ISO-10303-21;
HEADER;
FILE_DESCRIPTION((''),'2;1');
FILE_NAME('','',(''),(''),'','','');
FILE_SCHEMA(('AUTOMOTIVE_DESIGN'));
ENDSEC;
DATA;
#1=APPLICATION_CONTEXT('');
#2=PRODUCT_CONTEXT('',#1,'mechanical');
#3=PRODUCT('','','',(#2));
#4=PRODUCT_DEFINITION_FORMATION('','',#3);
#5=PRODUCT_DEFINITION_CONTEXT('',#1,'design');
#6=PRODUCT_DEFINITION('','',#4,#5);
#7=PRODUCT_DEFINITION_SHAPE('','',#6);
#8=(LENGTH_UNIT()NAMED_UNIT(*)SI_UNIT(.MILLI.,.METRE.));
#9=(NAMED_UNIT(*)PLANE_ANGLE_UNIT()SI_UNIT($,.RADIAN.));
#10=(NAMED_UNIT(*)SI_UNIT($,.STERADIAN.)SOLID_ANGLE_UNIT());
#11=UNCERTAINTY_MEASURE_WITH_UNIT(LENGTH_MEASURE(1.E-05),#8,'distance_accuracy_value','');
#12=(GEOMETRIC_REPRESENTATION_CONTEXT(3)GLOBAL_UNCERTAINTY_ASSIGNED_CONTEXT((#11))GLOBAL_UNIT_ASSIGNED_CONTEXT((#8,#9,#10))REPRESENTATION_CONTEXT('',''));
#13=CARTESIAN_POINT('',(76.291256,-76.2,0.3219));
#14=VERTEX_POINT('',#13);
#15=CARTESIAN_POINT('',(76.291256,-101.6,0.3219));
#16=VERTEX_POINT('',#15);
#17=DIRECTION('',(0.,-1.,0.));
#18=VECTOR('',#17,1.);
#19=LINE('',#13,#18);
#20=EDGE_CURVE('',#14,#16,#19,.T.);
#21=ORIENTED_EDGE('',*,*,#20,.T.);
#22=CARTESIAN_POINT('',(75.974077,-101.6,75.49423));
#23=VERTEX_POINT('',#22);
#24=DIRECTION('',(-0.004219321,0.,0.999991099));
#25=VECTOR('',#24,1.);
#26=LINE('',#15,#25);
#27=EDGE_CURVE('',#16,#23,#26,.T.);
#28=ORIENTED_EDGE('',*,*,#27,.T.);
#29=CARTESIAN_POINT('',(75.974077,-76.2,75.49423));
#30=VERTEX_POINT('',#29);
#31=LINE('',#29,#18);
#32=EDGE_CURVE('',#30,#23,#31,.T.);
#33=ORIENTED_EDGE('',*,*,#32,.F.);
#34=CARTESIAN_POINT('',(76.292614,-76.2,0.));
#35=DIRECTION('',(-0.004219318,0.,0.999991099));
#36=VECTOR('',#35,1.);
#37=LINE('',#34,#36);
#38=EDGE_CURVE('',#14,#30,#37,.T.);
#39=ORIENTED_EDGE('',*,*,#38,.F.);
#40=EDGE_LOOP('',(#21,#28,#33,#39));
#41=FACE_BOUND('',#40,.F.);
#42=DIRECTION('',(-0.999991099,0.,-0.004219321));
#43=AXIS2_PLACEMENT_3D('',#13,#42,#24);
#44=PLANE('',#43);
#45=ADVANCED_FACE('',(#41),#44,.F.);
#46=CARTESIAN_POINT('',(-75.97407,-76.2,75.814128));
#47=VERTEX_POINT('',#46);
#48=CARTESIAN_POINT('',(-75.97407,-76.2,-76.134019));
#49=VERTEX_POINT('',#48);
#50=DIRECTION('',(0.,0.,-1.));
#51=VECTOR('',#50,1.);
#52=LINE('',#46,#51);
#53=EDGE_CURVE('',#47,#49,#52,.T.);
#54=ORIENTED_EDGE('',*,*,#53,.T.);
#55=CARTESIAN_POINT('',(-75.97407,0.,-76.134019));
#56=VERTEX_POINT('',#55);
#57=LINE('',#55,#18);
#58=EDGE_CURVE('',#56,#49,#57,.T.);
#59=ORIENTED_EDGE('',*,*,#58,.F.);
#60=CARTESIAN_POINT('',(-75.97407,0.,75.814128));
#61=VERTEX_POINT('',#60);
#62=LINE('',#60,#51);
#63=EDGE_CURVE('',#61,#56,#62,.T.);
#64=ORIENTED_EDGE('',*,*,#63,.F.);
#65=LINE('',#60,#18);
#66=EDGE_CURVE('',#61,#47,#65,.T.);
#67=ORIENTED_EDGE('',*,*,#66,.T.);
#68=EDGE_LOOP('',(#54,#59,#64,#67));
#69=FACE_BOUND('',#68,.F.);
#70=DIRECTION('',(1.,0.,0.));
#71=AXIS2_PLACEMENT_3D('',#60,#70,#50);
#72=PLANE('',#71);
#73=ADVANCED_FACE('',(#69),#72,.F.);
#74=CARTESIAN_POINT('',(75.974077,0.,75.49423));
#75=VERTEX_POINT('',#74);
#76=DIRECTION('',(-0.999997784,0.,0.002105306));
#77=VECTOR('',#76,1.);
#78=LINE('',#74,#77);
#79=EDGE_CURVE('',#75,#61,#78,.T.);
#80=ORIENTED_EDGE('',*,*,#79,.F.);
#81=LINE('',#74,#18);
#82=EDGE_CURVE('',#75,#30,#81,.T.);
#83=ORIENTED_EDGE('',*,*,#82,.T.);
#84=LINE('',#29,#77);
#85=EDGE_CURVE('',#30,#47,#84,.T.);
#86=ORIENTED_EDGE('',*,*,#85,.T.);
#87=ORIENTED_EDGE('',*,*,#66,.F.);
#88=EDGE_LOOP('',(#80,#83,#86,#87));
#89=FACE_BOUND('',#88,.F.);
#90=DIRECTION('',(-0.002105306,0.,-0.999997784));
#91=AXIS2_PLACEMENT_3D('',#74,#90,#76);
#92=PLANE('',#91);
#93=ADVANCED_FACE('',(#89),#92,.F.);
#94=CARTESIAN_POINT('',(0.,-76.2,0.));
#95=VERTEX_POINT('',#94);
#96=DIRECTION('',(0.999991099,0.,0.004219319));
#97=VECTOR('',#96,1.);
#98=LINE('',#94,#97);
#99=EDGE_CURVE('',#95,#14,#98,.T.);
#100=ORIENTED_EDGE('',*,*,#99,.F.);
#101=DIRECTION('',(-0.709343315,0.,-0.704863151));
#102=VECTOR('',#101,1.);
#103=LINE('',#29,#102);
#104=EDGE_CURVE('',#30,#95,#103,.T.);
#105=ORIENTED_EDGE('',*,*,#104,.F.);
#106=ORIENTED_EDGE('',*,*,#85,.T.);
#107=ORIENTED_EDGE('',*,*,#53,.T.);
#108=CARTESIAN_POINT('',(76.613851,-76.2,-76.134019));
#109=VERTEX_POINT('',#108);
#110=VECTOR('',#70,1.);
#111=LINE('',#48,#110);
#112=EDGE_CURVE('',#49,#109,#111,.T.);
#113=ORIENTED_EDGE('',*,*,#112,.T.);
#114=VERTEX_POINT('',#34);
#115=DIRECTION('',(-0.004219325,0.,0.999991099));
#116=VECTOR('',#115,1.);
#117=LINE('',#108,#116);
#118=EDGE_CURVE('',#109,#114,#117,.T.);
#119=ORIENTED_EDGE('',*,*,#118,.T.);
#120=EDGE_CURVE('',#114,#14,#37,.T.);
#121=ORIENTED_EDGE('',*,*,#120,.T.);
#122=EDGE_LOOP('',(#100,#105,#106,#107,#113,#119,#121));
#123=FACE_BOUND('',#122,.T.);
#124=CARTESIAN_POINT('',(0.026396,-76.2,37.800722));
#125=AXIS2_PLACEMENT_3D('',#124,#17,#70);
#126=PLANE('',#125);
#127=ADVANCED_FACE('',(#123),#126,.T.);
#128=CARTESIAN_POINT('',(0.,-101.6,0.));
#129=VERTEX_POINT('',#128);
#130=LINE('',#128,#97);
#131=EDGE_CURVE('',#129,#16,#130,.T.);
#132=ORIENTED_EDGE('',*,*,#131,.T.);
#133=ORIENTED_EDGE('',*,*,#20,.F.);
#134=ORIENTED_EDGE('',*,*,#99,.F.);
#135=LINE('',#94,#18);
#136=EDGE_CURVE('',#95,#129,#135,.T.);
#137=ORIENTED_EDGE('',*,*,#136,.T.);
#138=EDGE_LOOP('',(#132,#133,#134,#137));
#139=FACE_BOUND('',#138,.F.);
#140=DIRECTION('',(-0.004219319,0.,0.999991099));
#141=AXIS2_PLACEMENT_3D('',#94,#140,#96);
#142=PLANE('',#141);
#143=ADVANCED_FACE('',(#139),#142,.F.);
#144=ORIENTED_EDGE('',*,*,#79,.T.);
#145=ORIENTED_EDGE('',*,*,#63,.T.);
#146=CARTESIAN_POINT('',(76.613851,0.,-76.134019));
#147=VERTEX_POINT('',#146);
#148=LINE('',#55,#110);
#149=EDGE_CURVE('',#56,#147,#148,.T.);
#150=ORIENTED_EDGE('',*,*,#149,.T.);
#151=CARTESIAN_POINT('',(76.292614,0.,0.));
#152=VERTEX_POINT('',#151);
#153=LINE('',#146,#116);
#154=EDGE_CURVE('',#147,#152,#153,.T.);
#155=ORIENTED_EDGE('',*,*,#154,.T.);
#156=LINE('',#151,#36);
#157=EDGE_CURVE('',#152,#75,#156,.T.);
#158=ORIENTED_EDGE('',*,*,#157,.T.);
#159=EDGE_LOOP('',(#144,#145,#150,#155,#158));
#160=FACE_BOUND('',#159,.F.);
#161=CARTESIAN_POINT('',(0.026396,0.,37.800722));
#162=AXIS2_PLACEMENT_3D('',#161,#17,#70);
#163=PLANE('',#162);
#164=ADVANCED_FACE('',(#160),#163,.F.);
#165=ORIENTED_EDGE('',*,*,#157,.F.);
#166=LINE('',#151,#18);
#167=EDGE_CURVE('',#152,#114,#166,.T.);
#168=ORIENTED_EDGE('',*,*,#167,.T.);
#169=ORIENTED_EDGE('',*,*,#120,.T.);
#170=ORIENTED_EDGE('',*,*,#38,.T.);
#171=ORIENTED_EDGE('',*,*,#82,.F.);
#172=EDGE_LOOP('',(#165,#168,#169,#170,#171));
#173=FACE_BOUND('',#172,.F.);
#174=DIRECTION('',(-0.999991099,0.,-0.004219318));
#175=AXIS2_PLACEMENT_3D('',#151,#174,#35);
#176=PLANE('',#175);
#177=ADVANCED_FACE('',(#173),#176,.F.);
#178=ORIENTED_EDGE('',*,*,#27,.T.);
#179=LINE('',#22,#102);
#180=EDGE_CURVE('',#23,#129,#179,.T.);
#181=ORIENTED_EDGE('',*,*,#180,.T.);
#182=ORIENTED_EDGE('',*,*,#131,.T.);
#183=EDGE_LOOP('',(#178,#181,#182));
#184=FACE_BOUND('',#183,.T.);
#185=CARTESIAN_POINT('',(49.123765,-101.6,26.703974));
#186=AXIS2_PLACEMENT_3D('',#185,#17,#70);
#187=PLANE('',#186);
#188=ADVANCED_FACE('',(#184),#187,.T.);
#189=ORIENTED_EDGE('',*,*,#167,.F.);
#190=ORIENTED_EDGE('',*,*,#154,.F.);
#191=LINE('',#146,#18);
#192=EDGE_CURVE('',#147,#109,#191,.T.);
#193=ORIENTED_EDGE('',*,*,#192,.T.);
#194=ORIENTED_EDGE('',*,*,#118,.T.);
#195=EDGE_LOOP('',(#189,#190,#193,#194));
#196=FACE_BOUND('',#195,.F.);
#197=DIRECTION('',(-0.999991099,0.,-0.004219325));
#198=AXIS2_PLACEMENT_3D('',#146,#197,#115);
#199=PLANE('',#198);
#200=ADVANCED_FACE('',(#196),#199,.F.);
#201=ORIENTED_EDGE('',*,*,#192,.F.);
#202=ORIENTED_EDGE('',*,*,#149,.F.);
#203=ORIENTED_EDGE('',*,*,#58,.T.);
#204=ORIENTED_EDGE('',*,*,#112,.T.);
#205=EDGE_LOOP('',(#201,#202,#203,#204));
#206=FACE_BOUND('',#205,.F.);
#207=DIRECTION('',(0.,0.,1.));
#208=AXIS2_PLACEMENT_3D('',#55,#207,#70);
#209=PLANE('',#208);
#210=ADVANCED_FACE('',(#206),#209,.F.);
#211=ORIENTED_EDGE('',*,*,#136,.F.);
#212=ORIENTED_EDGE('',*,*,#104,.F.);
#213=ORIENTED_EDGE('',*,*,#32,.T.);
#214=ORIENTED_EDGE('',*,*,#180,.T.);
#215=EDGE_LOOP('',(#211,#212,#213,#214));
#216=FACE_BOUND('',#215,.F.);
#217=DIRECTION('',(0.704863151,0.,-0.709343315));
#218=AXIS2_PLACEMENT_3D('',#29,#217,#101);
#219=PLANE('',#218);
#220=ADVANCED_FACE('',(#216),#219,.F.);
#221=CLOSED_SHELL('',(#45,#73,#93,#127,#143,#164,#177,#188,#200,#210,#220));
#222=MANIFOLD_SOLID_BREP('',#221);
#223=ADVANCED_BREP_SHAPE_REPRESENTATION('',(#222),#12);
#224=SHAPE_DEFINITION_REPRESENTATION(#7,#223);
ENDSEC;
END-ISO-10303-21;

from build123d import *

# Parameters (mm, degrees)
F1_DEPTH = 76.2
F3_DEPTH = 25.4


with BuildPart() as f1:
    # F0 (on Front) → F1 (new body)
    with BuildSketch(Plane.XZ):
        Polygon((-75.97407, 0), (0, 0), (76.292614, 0), (75.974077, 75.49423), (-75.97407, 75.814128), align=None)
        Polygon((76.292614, 0), (0, 0), (-75.97407, 0), (-75.97407, -76.134019), (76.613851, -76.134019), align=None)
    extrude(amount=F1_DEPTH)

    # F2 (on face) → F3 (join)
    with BuildSketch(Plane.XZ.offset(76.2)):
        Polygon((75.974077, 75.49423), (0, 0), (76.291256, 0.3219), align=None)
    extrude(amount=F3_DEPTH)


solid = f1.part
